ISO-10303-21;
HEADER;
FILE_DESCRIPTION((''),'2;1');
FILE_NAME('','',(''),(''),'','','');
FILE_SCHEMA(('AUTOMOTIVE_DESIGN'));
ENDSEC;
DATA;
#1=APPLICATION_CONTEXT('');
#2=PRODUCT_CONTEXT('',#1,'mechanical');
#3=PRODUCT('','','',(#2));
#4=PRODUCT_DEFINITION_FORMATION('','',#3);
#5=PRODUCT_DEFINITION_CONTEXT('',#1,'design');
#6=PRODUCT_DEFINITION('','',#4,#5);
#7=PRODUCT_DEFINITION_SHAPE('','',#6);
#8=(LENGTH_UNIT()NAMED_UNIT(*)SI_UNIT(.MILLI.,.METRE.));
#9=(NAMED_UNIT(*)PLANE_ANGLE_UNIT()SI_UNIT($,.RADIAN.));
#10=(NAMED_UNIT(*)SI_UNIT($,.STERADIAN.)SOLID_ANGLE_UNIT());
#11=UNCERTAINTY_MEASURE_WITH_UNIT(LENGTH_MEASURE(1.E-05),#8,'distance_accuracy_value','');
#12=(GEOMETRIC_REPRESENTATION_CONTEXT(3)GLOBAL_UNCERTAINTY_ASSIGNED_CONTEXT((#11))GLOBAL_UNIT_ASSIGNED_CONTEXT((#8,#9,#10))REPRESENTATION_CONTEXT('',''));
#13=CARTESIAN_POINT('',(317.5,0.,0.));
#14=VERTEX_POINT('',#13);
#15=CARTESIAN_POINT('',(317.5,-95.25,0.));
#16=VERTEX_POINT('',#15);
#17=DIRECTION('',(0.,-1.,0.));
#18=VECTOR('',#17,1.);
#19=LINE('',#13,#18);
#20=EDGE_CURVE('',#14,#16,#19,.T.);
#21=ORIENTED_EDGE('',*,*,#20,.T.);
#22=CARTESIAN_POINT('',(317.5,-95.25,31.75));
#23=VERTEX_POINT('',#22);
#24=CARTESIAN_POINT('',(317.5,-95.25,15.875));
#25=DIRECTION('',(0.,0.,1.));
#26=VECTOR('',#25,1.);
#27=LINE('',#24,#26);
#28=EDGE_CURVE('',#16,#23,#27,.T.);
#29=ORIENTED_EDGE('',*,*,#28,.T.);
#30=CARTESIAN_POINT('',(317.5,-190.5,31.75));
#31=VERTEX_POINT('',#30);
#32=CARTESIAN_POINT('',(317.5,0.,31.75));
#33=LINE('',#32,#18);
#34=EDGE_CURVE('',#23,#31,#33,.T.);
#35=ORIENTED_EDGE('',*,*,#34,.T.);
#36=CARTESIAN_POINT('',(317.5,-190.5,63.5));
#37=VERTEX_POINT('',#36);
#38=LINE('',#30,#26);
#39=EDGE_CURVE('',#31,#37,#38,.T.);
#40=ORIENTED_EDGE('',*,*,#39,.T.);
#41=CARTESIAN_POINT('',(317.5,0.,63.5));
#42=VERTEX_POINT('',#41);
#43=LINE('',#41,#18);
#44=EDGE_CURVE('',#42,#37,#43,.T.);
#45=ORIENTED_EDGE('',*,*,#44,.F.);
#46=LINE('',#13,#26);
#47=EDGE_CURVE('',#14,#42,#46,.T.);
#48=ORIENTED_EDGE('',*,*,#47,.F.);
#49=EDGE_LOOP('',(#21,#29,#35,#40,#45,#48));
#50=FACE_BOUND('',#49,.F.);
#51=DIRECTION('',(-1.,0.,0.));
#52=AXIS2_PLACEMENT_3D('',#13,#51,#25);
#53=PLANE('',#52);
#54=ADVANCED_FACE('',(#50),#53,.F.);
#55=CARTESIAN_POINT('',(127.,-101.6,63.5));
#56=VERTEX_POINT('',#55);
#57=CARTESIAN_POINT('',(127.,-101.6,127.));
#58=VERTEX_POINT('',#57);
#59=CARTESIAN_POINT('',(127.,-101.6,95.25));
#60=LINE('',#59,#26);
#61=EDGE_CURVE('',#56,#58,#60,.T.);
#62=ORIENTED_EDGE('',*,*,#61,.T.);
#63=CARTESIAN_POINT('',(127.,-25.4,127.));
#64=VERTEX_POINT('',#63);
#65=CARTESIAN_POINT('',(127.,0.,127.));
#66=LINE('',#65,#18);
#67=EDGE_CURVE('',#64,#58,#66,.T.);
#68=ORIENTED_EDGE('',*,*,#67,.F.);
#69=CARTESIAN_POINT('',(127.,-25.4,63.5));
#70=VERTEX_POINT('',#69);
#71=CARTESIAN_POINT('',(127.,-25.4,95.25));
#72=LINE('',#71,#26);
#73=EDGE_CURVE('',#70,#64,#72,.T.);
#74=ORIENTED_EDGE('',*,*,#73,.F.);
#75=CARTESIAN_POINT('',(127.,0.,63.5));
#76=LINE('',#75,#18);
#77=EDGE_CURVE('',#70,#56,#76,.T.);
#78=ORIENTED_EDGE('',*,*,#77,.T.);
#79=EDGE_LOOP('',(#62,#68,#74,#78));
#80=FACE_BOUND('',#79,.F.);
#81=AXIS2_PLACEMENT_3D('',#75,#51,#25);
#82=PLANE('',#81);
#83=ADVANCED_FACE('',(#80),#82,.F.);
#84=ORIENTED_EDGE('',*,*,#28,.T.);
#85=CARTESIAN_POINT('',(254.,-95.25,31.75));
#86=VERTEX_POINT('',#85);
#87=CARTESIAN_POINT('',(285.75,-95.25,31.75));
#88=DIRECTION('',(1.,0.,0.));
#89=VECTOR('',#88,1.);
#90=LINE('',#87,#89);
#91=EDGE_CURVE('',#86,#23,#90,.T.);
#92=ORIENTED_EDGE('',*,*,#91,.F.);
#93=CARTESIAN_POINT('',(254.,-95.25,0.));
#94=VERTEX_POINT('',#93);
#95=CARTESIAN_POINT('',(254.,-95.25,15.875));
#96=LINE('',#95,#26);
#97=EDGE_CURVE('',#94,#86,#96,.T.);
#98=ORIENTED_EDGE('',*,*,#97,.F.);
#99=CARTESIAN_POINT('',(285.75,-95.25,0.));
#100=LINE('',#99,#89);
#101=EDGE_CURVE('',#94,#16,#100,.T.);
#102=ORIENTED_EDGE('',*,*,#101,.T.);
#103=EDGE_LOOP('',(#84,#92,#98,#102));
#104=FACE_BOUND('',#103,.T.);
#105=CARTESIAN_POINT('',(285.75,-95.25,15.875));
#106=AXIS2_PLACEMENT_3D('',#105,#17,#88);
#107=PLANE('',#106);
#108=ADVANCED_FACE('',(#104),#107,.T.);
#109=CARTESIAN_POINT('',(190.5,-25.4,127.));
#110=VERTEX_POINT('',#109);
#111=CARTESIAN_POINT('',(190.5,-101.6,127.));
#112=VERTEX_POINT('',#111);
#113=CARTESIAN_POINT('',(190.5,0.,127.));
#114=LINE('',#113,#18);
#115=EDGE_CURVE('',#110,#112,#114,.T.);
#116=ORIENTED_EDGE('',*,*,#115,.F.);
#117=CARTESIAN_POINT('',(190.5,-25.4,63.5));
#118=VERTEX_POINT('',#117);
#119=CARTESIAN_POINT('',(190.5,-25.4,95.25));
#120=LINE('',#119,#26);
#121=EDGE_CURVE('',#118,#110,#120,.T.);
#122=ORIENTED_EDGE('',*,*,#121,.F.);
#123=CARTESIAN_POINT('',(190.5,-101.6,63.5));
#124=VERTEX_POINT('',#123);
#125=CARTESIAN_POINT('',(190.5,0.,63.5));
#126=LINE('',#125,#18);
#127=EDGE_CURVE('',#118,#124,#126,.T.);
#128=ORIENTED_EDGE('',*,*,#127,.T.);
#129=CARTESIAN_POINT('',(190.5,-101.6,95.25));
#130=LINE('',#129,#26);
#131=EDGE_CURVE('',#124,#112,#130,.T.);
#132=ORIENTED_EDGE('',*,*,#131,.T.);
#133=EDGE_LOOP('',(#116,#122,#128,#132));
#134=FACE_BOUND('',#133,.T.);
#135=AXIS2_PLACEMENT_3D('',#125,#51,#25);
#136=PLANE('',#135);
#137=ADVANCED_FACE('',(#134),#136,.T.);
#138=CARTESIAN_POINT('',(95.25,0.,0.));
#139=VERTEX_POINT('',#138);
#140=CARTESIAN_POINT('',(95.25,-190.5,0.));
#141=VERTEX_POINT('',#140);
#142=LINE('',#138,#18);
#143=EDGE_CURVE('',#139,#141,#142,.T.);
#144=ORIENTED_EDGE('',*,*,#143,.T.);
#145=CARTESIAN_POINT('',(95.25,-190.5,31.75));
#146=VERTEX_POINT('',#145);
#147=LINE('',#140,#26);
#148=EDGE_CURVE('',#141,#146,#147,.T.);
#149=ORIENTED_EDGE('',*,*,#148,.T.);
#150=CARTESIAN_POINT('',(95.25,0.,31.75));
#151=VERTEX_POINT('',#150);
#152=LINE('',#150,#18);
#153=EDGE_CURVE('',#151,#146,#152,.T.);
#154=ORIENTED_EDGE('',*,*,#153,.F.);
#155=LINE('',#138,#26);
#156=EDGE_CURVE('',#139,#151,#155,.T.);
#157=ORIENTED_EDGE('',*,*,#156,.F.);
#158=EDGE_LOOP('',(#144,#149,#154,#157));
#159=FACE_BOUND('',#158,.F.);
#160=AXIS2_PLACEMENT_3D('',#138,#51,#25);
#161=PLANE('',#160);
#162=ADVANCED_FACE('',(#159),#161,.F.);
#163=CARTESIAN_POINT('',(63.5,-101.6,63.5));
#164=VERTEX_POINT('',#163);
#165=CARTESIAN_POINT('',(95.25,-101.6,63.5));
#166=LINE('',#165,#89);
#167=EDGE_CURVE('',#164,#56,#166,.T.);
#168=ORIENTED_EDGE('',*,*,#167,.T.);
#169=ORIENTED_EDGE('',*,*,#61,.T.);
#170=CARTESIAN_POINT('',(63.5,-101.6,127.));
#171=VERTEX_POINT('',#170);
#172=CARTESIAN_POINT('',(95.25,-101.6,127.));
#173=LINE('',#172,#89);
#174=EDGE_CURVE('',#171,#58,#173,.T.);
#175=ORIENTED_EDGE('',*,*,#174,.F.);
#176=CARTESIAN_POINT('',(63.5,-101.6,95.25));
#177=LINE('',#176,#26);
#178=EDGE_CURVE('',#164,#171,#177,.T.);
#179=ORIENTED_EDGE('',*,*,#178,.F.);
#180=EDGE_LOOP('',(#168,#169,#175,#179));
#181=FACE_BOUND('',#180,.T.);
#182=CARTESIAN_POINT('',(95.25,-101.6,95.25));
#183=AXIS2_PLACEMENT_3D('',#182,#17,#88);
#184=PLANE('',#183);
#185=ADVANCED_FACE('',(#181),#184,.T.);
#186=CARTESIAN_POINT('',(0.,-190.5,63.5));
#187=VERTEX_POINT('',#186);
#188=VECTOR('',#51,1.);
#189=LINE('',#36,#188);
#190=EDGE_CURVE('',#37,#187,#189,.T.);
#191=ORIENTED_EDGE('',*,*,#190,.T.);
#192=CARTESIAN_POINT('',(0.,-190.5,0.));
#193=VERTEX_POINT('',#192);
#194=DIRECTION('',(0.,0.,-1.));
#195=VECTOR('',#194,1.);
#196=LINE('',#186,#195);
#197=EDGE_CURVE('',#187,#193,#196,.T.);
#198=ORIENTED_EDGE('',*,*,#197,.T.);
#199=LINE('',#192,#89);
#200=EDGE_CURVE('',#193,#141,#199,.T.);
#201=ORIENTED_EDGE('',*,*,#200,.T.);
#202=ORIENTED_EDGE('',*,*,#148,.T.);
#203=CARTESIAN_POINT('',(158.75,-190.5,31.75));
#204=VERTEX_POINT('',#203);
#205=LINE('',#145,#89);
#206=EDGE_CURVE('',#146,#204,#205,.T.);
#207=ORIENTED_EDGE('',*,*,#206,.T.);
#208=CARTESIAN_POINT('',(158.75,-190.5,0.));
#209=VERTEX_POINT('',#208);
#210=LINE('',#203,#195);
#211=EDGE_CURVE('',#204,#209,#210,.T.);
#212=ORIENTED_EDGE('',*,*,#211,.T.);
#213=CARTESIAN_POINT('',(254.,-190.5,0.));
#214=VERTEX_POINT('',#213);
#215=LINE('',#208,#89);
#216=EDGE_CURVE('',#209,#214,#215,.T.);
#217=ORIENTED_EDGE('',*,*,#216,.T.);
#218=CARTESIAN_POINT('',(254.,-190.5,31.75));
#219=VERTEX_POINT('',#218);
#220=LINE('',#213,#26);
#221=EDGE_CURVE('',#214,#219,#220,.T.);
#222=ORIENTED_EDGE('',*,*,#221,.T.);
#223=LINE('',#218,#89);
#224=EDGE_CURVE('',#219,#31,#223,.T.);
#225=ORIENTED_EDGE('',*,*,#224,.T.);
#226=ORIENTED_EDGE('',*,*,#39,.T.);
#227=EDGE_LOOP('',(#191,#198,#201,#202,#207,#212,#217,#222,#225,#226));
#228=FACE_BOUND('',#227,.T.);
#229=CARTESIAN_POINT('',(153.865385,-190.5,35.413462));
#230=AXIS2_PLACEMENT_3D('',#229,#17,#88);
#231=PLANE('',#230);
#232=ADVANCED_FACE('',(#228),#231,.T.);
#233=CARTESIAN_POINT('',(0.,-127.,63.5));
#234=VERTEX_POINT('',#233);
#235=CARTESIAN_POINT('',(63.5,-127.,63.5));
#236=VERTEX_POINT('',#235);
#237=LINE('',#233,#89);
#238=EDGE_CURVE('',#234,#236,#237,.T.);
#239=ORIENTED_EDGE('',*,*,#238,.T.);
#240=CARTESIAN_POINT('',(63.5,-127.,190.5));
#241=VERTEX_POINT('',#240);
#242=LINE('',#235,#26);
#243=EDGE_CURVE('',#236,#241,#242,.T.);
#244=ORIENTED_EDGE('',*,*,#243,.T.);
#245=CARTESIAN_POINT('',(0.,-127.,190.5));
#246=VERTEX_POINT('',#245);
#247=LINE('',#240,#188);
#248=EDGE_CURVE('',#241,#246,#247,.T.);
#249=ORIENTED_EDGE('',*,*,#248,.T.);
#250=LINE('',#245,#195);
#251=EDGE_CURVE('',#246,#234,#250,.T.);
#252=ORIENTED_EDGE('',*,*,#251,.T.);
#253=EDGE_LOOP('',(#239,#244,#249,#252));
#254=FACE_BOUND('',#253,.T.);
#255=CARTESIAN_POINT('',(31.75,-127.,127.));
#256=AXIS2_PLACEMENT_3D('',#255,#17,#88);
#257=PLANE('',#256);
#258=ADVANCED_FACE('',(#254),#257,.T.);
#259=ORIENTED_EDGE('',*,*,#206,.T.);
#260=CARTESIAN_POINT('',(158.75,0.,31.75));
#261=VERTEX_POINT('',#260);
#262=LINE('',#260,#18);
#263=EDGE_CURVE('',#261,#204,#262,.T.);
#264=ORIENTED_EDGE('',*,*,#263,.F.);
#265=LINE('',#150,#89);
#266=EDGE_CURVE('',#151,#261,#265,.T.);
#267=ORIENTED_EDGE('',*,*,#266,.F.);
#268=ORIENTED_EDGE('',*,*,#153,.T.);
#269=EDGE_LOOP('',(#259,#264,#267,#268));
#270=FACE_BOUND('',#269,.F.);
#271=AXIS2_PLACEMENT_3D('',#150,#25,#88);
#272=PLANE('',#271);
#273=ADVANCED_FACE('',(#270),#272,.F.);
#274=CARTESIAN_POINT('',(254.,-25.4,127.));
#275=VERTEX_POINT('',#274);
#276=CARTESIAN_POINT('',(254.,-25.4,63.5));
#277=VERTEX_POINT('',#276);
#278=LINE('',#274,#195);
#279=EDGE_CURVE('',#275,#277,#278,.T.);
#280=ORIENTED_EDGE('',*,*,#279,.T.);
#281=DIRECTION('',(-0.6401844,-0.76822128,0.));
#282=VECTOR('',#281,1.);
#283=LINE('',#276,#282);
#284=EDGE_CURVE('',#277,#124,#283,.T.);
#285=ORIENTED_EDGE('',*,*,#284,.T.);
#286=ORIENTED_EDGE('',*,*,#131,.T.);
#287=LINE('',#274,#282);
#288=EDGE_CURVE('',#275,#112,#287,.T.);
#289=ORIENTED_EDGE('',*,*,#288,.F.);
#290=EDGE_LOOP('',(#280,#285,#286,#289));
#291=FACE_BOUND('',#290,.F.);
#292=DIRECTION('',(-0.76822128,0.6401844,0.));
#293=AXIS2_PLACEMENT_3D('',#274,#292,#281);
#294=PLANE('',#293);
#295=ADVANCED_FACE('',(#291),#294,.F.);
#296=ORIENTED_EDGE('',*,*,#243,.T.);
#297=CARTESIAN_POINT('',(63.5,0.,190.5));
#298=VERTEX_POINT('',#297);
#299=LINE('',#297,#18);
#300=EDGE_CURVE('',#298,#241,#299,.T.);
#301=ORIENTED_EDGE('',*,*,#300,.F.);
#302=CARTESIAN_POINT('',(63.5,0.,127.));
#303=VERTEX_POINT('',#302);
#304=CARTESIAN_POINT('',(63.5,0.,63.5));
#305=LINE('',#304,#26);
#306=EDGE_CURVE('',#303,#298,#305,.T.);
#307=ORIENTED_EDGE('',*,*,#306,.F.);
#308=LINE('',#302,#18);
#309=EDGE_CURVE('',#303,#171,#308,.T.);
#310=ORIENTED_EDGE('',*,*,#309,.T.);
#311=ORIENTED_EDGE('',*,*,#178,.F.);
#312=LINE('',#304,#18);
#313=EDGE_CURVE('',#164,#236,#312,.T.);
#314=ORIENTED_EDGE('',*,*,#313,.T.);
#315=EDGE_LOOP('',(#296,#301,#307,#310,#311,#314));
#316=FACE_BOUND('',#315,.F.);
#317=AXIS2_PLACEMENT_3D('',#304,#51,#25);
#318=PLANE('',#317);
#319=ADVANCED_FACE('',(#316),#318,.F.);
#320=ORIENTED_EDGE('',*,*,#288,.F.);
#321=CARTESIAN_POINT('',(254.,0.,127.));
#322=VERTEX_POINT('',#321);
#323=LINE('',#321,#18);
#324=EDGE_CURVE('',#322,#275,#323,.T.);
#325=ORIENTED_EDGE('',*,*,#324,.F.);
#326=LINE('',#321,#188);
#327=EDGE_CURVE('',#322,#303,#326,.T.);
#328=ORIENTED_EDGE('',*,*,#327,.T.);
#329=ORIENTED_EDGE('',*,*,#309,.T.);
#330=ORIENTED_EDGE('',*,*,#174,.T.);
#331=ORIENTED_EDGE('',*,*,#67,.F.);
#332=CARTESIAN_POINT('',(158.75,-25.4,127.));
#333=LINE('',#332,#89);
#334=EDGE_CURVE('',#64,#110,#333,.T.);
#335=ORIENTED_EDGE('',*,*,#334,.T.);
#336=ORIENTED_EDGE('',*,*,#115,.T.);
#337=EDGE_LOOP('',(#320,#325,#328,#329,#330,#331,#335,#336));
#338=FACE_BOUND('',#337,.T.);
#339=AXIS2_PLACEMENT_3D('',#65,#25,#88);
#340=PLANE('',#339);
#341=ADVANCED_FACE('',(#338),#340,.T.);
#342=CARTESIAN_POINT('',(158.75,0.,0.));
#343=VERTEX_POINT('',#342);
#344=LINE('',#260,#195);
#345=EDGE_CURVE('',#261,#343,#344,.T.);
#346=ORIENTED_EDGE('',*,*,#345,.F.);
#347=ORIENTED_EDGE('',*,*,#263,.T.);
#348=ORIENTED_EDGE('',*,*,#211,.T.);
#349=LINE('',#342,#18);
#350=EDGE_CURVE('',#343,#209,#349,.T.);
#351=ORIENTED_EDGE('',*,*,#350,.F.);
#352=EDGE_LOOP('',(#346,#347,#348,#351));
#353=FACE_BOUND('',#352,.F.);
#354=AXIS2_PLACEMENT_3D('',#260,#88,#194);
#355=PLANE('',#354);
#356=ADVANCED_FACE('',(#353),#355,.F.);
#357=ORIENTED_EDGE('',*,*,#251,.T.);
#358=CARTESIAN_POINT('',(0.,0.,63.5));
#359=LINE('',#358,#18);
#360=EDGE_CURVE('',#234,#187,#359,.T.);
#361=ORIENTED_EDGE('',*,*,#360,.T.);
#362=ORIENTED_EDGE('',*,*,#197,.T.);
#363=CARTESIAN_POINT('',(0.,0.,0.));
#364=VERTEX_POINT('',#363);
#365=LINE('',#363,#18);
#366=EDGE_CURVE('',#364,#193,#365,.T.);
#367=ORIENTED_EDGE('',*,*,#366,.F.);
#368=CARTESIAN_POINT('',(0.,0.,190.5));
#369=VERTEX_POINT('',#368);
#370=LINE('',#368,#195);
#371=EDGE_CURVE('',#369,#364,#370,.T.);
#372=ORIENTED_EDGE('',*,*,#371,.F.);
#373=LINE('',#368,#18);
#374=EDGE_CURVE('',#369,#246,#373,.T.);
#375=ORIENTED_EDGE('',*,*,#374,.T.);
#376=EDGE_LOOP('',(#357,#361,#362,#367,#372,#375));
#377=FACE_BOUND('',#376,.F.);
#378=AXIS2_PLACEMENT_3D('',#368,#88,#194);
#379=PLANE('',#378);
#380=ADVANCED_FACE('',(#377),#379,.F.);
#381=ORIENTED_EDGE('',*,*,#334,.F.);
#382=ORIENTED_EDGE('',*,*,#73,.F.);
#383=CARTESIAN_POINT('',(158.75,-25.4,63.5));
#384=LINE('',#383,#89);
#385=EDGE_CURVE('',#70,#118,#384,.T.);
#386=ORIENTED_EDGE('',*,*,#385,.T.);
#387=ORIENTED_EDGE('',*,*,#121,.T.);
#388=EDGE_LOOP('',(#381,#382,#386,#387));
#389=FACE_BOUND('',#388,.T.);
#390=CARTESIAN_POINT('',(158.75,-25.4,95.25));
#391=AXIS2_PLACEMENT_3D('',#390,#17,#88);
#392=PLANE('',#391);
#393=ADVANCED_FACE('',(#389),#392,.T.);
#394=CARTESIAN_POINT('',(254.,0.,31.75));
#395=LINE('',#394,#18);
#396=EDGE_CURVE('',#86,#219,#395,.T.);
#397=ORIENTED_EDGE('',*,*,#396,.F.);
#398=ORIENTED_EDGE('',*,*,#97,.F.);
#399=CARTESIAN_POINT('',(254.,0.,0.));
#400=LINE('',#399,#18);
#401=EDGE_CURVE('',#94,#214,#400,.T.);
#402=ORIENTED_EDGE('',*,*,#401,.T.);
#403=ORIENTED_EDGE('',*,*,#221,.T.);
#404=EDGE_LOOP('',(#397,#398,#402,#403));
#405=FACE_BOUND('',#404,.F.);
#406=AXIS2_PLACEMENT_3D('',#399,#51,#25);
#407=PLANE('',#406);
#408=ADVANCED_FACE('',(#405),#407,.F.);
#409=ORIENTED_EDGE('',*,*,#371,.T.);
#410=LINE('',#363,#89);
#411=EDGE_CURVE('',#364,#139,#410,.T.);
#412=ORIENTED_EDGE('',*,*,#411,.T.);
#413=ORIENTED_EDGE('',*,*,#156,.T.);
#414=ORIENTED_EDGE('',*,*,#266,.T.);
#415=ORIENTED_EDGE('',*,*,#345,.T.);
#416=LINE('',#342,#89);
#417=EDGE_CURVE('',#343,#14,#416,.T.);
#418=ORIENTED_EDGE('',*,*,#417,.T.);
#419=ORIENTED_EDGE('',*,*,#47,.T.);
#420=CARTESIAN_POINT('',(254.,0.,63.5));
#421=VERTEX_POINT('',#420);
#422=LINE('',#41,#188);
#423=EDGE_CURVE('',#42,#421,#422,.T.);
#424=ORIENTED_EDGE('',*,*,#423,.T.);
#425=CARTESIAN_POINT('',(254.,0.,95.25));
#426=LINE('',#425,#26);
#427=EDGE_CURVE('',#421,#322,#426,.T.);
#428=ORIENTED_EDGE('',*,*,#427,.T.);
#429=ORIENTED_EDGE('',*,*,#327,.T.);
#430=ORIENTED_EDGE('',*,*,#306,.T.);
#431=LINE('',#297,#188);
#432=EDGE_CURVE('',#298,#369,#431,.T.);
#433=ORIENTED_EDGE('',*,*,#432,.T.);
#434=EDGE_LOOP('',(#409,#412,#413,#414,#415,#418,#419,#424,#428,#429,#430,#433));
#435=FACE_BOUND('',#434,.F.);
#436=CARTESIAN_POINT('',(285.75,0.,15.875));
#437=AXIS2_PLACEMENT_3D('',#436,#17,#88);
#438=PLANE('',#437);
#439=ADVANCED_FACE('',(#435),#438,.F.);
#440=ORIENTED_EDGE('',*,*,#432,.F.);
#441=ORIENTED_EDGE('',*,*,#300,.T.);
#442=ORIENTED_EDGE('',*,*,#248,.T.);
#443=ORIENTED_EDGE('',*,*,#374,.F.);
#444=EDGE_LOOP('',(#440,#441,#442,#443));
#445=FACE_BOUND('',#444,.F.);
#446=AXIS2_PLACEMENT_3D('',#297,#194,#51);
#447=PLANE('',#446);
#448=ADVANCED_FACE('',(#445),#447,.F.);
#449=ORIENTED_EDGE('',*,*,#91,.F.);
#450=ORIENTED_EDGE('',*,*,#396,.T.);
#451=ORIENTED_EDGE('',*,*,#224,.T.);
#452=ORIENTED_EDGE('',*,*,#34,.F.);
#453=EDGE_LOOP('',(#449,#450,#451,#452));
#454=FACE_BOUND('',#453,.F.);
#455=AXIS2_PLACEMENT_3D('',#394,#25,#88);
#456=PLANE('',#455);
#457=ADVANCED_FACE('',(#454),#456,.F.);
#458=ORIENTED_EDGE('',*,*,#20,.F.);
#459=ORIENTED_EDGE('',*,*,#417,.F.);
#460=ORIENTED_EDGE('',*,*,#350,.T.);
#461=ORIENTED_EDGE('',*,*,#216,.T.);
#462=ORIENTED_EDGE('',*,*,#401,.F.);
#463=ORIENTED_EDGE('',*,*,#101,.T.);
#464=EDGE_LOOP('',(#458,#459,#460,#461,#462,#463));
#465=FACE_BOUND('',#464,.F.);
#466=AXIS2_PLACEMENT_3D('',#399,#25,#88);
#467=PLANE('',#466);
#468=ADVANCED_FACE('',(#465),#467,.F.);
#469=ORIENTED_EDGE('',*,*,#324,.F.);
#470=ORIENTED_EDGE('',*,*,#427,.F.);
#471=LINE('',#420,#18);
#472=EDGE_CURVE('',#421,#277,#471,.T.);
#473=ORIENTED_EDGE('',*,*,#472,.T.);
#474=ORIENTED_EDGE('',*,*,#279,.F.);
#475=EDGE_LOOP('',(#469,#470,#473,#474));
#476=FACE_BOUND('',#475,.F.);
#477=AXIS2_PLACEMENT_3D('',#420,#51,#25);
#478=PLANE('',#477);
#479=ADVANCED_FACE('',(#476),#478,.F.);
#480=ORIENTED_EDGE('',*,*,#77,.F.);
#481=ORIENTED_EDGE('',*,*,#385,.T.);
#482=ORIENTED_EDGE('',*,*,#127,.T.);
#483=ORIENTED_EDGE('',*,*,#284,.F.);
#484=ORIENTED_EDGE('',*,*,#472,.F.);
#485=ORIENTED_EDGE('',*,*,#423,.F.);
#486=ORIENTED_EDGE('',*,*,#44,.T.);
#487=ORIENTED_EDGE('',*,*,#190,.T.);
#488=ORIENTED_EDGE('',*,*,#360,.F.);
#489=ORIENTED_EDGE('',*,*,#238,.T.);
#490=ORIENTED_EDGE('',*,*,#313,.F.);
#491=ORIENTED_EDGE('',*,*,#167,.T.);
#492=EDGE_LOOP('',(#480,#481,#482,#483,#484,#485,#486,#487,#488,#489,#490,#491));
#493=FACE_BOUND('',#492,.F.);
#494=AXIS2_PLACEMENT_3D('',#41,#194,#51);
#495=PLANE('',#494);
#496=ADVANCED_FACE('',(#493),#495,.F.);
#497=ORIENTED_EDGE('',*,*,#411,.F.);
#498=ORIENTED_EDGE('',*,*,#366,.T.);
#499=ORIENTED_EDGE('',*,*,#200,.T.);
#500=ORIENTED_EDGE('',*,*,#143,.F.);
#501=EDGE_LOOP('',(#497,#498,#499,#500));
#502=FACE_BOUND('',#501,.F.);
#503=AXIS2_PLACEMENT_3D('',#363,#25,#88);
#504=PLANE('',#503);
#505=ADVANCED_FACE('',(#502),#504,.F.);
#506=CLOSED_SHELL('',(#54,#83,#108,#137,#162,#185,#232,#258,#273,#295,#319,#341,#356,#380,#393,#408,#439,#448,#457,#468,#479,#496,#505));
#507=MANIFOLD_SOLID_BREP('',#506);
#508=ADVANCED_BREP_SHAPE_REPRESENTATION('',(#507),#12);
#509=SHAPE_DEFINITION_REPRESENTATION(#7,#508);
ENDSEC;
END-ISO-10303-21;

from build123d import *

# Parameters (mm, degrees)
F1_DEPTH = 190.5
F2_DEPTH = 127
F0_W     = 63.5
F0_H     = 63.5
F3_DEPTH = 101.6
F4_DEPTH = 25.4
F6_DEPTH = 63.5
F0_H_2   = 31.75
F7_DEPTH = 95.25


with BuildPart() as f1:
    # F0 (on Front) → F1 (new body)
    with BuildSketch(Plane.XZ):
        Polygon((0, 63.5), (0, 0), (95.25, 0), (95.25, 31.75), (158.75, 31.75), (158.75, 0), (254, 0), (254, 31.75), (317.5, 31.75), (317.5, 63.5), (254, 63.5), (190.5, 63.5), (127, 63.5), (63.5, 63.5), align=None)
    extrude(amount=F1_DEPTH)

    # F0 (on Front) → F2 (join)
    with BuildSketch(Plane.XZ):
        Polygon((0, 190.5), (0, 63.5), (63.5, 63.5), (63.5, 127), (63.5, 190.5), align=None)
    extrude(amount=F2_DEPTH)

    # F0 (on Front) → F3 (join)
    with BuildSketch(Plane.XZ):
        with Locations((95.25, 95.25)):
            Rectangle(F0_W, F0_H)
        with Locations((222.25, 95.25)):
            Rectangle(F0_W, F0_H)
    extrude(amount=F3_DEPTH)

    # F0 (on Front) → F4 (join)
    with BuildSketch(Plane.XZ):
        with Locations((158.75, 95.25)):
            Rectangle(F0_W, F0_H)
    extrude(amount=F4_DEPTH)

    # F5 (on face) → F6 (cut)
    with BuildSketch(Plane.XY.offset(127)):
        Polygon((254, -25.4), (190.5, -101.6), (254, -101.6), align=None)
    extrude(amount=-F6_DEPTH, mode=Mode.SUBTRACT)

    # F0 (on Front) → F7 (join)
    with BuildSketch(Plane.XZ):
        with Locations((285.75, 15.875)):
            Rectangle(F0_W, F0_H_2)
    extrude(amount=F7_DEPTH)


solid = f1.part
